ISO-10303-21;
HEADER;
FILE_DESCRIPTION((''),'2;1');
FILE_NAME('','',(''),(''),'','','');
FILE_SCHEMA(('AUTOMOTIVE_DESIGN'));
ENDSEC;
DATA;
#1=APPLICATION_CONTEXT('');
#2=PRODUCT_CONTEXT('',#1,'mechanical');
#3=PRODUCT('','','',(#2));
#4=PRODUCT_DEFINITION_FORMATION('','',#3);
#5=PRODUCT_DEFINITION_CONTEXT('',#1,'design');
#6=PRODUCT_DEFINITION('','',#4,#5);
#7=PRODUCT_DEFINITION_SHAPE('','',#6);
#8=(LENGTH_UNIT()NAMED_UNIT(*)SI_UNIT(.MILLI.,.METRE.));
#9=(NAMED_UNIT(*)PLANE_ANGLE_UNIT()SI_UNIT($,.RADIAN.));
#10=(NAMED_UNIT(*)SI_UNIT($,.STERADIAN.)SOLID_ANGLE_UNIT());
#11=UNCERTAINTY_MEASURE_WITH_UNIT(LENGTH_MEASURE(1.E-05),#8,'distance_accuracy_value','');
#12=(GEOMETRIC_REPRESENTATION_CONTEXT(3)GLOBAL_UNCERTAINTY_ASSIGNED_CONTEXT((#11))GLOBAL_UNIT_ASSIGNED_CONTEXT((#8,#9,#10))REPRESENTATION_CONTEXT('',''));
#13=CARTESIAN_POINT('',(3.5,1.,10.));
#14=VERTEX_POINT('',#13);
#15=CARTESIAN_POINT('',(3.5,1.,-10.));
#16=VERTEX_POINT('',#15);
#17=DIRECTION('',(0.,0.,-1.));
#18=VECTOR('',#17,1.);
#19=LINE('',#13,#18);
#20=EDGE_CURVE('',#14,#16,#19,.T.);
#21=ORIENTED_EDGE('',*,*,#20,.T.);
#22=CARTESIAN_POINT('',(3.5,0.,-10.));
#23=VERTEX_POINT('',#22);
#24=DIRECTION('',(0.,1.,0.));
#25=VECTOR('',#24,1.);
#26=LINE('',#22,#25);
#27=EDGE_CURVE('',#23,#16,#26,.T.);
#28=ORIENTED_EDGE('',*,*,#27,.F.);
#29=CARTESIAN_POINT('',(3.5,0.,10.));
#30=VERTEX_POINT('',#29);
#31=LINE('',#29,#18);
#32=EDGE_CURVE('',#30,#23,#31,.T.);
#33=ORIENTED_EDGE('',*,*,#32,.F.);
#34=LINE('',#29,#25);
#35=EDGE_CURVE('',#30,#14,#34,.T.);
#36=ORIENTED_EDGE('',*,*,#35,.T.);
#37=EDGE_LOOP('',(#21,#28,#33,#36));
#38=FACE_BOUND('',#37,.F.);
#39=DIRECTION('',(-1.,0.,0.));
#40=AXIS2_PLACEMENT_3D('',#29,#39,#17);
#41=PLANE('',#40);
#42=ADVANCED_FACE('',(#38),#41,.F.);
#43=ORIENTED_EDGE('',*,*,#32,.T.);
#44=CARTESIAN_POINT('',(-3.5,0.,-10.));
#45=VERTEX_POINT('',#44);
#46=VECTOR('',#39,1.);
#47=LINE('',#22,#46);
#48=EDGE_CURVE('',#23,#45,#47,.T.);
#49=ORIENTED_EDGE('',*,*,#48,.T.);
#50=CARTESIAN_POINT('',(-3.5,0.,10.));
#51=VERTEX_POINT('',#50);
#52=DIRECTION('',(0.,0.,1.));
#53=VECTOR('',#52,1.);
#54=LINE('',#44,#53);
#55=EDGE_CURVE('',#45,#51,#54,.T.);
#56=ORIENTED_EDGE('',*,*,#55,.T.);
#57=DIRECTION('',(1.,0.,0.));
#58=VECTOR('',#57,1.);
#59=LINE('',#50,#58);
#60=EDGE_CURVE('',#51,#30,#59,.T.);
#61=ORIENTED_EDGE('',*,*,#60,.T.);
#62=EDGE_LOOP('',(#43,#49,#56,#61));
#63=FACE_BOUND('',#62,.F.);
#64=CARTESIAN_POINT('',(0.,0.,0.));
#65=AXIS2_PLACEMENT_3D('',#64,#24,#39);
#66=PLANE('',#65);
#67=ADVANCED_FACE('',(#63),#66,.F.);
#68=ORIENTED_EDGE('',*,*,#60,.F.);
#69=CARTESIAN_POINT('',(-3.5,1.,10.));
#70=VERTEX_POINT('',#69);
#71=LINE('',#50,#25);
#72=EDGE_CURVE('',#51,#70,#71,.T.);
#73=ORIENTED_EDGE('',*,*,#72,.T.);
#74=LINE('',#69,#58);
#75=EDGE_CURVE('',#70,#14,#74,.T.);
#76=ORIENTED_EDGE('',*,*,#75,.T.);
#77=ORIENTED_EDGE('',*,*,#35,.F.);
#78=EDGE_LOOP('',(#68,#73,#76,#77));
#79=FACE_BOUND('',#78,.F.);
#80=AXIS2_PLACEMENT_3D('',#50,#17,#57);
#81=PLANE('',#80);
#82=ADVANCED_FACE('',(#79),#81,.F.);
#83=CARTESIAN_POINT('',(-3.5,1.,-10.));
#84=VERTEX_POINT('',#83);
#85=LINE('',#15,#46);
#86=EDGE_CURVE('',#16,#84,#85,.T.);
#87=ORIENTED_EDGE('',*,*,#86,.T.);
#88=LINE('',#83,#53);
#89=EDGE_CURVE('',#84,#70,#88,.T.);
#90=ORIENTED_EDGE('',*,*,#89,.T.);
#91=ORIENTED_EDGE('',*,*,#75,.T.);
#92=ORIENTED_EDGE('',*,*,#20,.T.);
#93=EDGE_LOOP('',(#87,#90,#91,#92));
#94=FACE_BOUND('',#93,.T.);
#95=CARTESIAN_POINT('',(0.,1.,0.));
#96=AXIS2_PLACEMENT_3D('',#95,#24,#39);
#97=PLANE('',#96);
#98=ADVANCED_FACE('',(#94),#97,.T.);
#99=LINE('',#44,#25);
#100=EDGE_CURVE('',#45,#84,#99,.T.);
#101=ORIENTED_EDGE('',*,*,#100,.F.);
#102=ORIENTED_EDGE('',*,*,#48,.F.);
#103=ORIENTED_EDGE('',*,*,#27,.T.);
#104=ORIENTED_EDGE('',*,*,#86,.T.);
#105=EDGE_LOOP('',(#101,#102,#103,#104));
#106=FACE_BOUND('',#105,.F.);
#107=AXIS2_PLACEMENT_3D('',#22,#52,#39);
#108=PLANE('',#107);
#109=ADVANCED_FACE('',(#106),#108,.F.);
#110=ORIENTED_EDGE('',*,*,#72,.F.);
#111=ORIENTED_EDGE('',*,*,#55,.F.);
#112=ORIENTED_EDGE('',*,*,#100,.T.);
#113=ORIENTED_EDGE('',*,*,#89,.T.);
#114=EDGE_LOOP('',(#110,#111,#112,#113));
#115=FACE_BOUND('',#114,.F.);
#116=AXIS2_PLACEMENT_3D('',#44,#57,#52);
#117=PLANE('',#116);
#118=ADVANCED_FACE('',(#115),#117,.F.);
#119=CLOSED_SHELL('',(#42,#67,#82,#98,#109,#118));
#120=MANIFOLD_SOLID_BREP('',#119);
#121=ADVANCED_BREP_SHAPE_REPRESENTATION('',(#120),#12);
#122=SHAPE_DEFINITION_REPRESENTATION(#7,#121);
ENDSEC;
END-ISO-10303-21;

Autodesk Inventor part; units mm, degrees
ref_plane "YZ Plane" through (0, 0, 0) normal (1, 0, 0) x (0, 1, 0)
ref_plane "XZ Plane" through (0, 0, 0) normal (0, 1, 0) x (-1, 0, 0)
ref_plane "XY Plane" through (0, 0, 0) normal (0, 0, 1) x (1, 0, 0)
sketch "Sketch1" plane through (0, 0, 0) normal (0, 1, 0) x (-1, 0, 0)
  line L0 (3.5, 10) -> (-3.5, 10)
  line L1 (-3.5, 10) -> (-3.5, -10)
  line L2 (-3.5, -10) -> (3.5, -10)
  line L3 (3.5, -10) -> (3.5, 10)
  point P0 (0, 0)
  point P1 (3.5, 0)
  point P2 (0, 10)
  dimension "d4" = 20
  dimension "d5" = 7
extrude "Extrusion1" add sketch "Sketch1" along normal blind 1
properties part number "velcro piece"
